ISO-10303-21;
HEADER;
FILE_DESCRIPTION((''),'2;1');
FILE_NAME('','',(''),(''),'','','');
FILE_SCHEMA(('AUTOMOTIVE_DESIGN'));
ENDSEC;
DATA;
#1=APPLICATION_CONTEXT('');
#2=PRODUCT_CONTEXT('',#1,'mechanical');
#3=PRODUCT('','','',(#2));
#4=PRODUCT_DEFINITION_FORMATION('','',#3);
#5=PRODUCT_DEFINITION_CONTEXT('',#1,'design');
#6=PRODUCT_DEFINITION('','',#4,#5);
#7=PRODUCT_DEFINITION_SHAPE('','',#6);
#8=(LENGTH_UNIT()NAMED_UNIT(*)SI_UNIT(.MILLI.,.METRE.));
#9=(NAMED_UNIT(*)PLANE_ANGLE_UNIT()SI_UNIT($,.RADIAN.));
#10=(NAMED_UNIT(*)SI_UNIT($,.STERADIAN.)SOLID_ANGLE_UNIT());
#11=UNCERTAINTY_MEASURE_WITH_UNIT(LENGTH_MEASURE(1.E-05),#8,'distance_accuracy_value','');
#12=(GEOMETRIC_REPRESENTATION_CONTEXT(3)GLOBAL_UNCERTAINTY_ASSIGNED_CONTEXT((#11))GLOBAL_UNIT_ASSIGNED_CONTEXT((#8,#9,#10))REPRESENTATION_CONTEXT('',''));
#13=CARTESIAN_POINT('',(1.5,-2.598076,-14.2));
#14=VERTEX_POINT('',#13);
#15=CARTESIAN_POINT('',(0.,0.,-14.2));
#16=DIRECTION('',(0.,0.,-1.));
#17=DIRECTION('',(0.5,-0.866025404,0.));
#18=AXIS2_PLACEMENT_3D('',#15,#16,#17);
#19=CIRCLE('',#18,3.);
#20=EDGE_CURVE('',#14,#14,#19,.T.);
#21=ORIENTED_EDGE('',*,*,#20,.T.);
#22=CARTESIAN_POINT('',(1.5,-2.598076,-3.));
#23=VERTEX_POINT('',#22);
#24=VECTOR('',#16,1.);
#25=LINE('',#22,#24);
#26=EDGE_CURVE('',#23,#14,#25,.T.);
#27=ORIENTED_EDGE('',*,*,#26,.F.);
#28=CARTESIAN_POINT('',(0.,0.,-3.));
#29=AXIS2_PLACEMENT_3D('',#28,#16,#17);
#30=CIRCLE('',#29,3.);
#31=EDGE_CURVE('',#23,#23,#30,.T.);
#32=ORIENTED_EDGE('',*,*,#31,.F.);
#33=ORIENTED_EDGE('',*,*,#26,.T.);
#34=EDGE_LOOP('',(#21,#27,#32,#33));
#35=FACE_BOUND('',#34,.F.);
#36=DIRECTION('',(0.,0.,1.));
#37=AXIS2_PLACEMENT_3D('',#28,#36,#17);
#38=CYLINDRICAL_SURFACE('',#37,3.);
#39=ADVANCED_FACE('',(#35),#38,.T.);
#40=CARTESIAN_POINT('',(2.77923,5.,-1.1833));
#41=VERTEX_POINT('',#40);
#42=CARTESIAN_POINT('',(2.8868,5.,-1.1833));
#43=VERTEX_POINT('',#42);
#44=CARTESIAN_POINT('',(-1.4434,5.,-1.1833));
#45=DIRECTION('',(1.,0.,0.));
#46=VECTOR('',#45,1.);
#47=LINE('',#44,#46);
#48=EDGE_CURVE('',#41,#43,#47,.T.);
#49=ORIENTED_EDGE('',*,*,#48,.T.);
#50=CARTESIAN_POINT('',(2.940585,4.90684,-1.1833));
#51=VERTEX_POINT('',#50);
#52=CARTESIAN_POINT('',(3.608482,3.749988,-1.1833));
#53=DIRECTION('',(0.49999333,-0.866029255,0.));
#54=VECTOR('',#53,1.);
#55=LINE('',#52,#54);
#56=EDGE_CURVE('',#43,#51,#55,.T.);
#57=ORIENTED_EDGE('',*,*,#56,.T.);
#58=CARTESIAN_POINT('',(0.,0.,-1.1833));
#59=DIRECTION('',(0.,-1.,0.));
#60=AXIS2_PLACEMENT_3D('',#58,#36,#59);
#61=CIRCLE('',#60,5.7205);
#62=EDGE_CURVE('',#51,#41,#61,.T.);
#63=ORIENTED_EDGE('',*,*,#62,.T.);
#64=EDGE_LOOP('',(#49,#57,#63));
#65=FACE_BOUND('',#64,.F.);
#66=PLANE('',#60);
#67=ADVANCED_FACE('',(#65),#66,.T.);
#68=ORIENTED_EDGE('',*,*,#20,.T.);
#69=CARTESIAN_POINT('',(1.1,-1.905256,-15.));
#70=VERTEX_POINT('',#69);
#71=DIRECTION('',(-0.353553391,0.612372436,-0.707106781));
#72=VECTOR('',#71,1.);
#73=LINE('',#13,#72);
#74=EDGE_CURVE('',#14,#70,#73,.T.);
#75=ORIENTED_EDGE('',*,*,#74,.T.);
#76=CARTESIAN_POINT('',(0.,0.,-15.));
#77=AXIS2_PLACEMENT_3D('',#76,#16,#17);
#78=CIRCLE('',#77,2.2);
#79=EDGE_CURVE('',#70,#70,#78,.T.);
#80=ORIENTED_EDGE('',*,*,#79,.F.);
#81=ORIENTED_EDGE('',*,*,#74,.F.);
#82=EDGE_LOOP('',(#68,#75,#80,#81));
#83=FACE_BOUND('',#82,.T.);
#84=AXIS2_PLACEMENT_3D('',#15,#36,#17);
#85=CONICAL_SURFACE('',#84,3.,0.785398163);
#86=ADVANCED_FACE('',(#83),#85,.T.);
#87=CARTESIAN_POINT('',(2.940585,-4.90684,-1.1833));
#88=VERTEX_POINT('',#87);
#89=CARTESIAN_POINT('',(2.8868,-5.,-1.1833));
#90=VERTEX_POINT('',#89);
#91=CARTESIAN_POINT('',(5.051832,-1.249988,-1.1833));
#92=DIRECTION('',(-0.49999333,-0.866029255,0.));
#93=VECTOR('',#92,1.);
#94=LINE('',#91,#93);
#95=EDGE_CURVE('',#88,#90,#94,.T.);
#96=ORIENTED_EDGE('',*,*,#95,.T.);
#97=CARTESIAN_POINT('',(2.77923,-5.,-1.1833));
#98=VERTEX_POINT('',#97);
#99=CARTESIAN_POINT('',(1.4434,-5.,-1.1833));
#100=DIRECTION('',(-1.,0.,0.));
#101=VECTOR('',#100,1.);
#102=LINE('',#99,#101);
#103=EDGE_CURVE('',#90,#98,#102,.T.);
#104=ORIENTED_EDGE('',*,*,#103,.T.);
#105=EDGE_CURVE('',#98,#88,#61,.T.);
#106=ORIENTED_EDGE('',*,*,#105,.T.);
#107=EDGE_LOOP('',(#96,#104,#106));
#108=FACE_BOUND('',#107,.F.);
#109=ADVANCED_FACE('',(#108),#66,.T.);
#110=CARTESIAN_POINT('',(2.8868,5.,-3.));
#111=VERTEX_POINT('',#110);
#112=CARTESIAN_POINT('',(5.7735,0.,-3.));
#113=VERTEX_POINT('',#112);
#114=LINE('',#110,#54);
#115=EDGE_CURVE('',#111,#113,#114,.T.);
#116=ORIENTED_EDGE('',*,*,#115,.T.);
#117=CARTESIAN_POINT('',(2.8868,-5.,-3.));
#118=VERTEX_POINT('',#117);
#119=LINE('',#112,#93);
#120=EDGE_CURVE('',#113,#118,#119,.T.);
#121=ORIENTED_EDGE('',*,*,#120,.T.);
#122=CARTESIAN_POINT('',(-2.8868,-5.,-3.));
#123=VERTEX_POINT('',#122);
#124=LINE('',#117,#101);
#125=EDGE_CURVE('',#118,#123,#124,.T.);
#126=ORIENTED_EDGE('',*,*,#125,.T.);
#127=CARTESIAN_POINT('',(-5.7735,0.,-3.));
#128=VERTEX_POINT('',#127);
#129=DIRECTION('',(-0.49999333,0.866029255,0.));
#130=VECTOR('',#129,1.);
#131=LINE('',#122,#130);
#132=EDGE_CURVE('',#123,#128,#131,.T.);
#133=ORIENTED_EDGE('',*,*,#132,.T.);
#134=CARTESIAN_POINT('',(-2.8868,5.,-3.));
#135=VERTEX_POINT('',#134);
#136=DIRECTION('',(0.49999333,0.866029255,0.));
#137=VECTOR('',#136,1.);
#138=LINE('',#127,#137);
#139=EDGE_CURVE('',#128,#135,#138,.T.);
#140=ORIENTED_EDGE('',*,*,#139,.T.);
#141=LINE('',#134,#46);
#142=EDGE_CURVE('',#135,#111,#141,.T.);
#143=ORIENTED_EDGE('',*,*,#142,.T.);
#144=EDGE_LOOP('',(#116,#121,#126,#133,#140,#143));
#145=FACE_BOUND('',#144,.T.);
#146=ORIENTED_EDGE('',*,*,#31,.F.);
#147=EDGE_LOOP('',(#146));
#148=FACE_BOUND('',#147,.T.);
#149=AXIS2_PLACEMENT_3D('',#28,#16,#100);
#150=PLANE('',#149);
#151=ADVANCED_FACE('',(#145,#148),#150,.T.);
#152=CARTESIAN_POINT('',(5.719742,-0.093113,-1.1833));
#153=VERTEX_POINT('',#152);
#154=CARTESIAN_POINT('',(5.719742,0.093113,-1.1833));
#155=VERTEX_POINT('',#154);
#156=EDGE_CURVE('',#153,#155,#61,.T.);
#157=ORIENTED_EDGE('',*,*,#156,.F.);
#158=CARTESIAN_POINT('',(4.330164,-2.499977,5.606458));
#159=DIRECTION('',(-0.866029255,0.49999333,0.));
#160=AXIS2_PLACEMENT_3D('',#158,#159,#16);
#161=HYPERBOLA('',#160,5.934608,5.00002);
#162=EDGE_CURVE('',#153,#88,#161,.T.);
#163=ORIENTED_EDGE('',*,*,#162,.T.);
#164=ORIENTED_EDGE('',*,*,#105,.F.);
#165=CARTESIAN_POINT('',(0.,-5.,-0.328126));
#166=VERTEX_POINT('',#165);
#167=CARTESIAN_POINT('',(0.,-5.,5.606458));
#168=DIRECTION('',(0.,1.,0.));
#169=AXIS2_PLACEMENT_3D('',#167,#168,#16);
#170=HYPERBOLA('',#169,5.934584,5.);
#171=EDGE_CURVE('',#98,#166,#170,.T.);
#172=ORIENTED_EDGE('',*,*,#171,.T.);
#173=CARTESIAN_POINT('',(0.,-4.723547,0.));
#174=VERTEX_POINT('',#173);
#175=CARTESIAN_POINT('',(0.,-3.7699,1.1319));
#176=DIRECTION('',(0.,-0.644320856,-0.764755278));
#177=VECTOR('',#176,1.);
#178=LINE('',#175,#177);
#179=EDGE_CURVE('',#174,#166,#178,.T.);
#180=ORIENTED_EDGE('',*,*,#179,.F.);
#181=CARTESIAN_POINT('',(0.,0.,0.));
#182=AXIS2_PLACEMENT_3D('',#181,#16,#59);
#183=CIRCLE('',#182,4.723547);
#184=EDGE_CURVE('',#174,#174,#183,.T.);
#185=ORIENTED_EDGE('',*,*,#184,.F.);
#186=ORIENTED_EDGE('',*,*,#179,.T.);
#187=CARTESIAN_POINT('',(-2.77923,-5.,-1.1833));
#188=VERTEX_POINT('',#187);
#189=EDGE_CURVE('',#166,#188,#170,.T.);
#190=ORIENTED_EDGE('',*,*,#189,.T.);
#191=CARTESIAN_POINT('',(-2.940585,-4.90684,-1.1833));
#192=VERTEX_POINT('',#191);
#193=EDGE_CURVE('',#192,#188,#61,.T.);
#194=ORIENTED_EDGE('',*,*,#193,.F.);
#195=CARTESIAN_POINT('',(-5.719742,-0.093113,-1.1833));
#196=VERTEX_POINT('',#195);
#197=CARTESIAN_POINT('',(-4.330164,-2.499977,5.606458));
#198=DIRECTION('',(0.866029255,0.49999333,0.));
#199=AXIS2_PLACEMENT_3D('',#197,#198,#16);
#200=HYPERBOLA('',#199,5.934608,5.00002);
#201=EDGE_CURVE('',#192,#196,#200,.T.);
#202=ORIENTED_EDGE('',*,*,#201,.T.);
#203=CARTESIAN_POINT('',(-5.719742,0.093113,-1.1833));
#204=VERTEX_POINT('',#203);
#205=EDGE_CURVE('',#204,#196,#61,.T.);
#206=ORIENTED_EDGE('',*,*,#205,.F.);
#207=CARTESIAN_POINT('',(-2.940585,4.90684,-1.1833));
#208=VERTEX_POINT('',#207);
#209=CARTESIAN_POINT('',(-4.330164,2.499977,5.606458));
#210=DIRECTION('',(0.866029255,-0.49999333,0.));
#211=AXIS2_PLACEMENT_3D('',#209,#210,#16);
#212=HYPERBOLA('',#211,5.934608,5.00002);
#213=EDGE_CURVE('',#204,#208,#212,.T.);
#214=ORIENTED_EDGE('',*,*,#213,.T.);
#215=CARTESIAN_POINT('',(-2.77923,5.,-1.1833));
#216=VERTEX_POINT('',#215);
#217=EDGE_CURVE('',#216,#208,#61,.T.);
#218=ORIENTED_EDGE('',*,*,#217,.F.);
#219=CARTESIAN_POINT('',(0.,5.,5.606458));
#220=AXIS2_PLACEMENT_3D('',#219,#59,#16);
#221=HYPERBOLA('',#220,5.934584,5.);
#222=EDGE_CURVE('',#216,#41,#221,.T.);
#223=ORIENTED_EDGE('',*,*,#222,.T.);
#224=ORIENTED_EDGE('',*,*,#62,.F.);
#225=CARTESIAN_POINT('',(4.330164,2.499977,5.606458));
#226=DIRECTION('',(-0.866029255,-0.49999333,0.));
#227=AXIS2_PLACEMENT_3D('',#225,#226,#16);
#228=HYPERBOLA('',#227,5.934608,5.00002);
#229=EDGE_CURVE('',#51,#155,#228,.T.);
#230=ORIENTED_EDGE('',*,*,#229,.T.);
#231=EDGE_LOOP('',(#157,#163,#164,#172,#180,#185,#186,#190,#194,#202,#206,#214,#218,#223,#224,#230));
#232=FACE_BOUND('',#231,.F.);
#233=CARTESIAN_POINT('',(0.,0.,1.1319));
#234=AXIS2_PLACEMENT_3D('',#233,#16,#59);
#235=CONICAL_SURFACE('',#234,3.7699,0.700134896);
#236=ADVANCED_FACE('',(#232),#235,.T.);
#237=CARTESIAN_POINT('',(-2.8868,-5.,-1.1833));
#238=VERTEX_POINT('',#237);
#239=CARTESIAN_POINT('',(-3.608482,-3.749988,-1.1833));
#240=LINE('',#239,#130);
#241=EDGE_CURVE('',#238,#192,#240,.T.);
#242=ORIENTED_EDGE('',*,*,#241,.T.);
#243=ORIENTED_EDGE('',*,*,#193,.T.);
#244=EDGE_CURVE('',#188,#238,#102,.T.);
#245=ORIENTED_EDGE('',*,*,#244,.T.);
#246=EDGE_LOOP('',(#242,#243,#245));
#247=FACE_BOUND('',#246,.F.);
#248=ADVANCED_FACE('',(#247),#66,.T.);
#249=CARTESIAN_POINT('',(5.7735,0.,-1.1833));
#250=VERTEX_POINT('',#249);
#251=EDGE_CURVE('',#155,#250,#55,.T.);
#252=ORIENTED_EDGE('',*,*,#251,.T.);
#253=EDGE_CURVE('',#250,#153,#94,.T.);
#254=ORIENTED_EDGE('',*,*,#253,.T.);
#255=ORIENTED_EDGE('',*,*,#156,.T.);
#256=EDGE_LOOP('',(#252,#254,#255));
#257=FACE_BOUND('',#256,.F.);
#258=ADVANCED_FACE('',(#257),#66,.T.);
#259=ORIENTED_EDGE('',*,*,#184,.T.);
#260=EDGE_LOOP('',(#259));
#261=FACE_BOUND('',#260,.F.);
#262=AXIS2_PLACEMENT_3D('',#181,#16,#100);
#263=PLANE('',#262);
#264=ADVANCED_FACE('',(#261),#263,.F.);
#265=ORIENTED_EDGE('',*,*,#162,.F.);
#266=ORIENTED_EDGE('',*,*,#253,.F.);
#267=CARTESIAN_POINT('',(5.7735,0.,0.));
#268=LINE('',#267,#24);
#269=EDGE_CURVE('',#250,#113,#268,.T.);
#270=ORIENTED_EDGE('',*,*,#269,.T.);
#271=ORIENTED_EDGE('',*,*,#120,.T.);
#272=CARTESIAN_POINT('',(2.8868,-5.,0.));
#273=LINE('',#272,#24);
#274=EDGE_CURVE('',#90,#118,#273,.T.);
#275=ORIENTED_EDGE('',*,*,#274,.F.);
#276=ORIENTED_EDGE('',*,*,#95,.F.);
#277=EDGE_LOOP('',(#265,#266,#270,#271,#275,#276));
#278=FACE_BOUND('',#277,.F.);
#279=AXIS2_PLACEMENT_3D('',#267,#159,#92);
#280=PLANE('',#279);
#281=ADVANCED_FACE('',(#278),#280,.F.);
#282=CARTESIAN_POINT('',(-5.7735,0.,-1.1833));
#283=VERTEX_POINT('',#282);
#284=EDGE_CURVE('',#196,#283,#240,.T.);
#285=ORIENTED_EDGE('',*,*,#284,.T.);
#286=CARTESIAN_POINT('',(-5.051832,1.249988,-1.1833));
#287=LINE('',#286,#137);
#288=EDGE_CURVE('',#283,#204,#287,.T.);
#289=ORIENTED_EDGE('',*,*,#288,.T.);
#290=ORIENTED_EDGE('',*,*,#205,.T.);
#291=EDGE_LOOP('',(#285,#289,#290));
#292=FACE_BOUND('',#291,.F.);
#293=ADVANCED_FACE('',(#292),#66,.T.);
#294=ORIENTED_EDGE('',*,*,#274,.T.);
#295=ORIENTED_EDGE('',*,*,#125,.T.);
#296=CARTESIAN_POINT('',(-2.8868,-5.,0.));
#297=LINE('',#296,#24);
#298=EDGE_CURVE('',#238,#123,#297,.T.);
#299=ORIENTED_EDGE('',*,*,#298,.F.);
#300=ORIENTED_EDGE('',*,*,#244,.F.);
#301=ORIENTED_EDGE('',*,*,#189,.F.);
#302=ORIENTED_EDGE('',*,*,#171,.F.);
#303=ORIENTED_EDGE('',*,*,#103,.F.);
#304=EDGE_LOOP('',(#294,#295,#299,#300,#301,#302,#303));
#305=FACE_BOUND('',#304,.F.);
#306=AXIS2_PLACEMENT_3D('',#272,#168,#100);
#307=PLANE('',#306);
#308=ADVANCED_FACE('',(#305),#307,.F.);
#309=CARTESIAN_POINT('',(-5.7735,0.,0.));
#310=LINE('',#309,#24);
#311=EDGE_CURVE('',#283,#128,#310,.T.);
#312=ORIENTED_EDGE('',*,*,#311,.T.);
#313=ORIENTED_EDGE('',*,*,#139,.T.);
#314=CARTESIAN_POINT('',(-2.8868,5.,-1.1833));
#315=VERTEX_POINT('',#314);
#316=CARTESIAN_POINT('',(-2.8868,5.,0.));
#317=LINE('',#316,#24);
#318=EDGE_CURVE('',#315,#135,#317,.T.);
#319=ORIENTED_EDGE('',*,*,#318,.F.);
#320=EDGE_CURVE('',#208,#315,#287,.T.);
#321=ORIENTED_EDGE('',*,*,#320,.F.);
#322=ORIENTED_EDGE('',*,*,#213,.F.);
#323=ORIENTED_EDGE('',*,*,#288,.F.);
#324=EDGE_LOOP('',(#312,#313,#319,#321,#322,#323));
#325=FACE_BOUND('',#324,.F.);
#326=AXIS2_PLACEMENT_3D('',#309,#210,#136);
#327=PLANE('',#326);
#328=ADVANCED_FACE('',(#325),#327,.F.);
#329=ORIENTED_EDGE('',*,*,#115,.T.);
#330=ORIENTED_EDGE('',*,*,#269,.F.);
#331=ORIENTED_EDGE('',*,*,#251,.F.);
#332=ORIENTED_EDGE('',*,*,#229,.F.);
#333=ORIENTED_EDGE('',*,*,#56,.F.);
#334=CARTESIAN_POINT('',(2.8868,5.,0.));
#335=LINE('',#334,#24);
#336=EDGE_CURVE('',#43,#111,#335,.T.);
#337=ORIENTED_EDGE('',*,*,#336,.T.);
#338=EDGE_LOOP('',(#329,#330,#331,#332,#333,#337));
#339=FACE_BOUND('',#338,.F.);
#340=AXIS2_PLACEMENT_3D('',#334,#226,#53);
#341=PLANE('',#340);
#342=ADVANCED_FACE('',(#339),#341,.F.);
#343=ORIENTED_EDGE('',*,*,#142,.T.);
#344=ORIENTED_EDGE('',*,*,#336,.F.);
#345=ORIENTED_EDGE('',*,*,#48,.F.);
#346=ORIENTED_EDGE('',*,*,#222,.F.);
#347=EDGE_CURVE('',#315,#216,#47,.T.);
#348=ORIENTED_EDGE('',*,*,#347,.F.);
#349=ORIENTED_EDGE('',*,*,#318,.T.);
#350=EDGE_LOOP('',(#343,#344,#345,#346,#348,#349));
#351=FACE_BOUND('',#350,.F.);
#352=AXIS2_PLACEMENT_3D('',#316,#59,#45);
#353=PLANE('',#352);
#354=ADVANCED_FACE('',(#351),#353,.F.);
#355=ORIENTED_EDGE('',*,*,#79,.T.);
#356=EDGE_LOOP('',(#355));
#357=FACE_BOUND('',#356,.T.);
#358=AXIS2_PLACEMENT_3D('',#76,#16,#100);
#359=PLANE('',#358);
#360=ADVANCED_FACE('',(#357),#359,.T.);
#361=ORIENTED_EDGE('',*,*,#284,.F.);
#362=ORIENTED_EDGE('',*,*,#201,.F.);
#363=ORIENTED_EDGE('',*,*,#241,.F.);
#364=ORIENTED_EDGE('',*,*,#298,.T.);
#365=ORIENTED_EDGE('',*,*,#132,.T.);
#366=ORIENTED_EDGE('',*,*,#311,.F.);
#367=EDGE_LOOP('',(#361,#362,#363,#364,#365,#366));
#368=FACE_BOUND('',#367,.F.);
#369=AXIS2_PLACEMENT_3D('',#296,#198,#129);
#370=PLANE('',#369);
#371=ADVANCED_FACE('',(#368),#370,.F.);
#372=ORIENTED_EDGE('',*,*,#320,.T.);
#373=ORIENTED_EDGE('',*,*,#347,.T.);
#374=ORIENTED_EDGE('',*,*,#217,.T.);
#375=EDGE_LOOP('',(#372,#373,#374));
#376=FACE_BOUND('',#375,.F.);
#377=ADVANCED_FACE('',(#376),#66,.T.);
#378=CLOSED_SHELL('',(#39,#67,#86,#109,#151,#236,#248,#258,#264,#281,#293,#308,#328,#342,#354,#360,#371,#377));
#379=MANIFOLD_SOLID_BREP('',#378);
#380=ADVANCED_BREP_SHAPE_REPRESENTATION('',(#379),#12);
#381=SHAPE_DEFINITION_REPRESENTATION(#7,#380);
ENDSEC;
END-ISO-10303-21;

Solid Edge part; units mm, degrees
sketch "Sketch1" plane through (0, 0, 0) normal (0, 0, -1) x (-1, 0, 0)
  line L0 (-2.8868, 5) -> (-5.7735, 0)
  line L1 (-5.7735, 0) -> (-2.8868, -5)
  line L2 (-2.8868, -5) -> (2.8868, -5)
  line L3 (2.8868, -5) -> (5.7735, 0)
  line L4 (5.7735, 0) -> (2.8868, 5)
  line L5 (2.8868, 5) -> (-2.8868, 5)
extrude "Protrusion1" add sketch "Sketch1" along normal blind 3
sketch "Sketch2" plane through (0, 0, -3) normal (0, 0, -1) x (0.5, -0.866, 0)
  circle A0 centre (0, 0) radius 3
extrude "Kihúzás_2" add sketch "Sketch2" along normal blind 12
chamfer "Letörés_1" distance 0.8 angle 45 1 edges at (-1.5, 2.5981, -15)
cosmetic_thread "Thread1" size "M6"
sketch "Sketch3" plane through (0, 0, 0) normal (-1, 0, 0) x (0, -1, 0)
  line L0 (3.7699, 1.1319) -> (5.7205, -1.1833)
  line L1 (5.7205, -1.1833) -> (13.1885, -1.1833)
  line L2 (13.1885, -1.1833) -> (13.1885, 2.2239)
  line L3 (13.1885, 2.2239) -> (3.7699, 1.1319)
revolve "RevolvedCutout1" cut sketch "Sketch3" angle 360 about axis through (0, 0, 0) along (0, 0, 1)
properties material "Acél"
